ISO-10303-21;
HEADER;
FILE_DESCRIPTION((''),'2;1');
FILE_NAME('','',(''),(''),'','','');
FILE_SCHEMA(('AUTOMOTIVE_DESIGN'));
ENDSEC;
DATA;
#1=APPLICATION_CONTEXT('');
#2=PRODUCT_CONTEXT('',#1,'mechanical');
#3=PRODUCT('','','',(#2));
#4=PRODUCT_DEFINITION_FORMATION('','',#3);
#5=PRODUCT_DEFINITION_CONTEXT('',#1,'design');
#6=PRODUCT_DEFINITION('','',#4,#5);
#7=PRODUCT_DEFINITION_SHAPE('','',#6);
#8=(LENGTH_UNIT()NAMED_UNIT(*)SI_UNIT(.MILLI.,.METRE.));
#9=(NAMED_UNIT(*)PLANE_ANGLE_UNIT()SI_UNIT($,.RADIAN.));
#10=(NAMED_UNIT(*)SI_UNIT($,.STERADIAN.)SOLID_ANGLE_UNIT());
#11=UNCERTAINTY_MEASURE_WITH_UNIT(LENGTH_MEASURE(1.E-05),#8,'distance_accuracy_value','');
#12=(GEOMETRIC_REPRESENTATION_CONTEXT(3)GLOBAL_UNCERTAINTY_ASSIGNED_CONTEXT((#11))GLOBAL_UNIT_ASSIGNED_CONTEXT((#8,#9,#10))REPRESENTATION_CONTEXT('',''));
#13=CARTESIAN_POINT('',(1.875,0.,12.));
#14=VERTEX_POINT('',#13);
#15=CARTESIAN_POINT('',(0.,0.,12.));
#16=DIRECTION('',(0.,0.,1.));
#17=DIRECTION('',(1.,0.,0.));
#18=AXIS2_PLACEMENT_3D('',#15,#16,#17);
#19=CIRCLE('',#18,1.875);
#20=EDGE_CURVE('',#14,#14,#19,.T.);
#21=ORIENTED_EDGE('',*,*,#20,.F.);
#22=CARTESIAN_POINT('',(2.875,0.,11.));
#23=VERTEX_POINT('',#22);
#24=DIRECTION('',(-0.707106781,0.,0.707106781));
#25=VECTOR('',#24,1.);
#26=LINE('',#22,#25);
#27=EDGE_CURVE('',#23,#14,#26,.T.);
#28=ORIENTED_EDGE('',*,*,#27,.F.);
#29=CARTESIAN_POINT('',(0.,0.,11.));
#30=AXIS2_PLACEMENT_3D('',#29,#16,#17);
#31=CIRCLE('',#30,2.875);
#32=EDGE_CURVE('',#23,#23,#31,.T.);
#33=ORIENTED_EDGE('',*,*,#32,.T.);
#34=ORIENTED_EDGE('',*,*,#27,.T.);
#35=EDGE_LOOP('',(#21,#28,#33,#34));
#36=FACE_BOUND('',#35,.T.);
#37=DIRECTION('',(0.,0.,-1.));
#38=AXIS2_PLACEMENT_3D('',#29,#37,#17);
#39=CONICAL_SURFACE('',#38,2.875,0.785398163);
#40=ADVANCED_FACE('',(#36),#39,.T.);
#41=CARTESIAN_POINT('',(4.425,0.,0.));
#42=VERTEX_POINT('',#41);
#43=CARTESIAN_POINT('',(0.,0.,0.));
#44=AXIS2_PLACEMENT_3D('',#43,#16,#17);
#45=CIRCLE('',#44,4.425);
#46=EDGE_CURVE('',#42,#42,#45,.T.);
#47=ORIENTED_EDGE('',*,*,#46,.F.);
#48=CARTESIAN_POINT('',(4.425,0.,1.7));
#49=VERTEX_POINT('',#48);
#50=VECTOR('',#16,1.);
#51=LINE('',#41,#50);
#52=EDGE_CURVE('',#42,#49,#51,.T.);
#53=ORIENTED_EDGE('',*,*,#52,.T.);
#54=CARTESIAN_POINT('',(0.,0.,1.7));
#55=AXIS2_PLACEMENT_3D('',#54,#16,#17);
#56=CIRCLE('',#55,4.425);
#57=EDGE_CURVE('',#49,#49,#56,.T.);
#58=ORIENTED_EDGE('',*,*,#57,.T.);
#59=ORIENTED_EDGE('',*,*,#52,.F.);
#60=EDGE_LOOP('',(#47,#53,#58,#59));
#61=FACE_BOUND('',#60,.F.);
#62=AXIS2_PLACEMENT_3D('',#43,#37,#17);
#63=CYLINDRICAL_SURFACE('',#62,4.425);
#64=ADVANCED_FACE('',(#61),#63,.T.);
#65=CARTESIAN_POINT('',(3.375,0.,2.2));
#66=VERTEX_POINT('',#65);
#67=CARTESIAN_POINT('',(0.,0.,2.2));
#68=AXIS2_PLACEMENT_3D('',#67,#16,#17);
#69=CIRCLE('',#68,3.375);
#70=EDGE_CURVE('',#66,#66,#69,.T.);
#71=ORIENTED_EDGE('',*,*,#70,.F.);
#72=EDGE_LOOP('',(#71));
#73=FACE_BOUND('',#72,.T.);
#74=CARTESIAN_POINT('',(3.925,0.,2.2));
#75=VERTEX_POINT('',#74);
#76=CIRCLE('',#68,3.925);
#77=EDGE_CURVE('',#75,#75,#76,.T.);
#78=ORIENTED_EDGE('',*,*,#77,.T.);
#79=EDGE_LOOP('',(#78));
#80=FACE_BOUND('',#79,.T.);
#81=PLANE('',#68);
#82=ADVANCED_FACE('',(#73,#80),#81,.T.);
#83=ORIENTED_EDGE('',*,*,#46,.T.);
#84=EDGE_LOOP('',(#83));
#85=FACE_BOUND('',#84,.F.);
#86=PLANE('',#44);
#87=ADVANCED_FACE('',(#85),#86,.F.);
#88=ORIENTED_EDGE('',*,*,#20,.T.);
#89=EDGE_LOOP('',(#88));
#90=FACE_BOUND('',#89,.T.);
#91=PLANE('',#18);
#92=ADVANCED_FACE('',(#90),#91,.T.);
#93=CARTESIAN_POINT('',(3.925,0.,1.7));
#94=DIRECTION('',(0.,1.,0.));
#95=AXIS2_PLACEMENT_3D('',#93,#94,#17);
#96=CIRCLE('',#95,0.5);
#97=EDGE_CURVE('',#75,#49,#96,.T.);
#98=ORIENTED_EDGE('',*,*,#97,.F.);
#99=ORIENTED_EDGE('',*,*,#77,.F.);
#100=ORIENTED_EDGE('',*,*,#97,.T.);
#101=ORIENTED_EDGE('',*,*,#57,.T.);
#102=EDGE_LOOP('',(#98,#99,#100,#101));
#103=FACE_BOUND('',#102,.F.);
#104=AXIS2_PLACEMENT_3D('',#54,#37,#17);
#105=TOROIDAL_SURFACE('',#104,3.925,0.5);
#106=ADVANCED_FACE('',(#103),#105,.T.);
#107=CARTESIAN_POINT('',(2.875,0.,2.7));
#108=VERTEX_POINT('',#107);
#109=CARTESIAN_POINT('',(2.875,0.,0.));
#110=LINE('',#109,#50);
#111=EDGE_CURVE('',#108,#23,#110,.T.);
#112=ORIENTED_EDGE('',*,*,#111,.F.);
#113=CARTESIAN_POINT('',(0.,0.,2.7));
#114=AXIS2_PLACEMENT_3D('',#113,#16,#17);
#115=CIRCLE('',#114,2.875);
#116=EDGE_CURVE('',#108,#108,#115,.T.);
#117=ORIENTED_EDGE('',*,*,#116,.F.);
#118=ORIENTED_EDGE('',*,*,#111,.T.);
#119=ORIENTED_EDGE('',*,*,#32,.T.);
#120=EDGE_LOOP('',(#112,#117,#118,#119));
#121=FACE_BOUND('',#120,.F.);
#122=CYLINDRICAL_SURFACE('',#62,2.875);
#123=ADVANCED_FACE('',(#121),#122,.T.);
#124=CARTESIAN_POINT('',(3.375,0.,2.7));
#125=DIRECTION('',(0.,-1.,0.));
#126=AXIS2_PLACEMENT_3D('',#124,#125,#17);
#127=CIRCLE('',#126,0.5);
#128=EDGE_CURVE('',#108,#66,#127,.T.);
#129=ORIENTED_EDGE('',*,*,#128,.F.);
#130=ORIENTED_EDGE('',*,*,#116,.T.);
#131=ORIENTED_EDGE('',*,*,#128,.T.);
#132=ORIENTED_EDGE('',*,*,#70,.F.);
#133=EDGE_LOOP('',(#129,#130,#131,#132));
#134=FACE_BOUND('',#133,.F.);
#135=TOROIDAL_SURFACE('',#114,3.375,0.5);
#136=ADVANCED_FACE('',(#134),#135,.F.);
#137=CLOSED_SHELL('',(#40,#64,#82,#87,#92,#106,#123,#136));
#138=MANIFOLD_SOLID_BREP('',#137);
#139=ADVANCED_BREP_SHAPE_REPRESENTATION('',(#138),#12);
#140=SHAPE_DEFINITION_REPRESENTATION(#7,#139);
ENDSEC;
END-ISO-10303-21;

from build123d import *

# Parameters (mm, degrees)
F0_R     = 2.875
F1_DEPTH = 12
F0_R_2   = 4.425
F2_DEPTH = 2.2
F3_SIZE  = 1
F4_R     = 0.5


with BuildPart() as f1:
    # F0 (on Top) → F1 (new body)
    with BuildSketch(Plane.XY):
        Circle(F0_R)
    extrude(amount=F1_DEPTH)

    # F0 (on Top) → F2 (join)
    with BuildSketch(Plane.XY):
        Circle(F0_R_2)
        Circle(F0_R, mode=Mode.SUBTRACT)
    extrude(amount=F2_DEPTH)

    # F3
    f3_edges = [f1.edges().sort_by_distance(p)[0] for p in [
        (-2.875, 0, 12),
    ]]
    chamfer(f3_edges, length=F3_SIZE)

    # F4
    f4_edges = [f1.edges().sort_by_distance(p)[0] for p in [
        (-4.425, 0, 2.2),
        (-2.875, 0, 2.2),
    ]]
    fillet(f4_edges, radius=F4_R)


solid = f1.part
